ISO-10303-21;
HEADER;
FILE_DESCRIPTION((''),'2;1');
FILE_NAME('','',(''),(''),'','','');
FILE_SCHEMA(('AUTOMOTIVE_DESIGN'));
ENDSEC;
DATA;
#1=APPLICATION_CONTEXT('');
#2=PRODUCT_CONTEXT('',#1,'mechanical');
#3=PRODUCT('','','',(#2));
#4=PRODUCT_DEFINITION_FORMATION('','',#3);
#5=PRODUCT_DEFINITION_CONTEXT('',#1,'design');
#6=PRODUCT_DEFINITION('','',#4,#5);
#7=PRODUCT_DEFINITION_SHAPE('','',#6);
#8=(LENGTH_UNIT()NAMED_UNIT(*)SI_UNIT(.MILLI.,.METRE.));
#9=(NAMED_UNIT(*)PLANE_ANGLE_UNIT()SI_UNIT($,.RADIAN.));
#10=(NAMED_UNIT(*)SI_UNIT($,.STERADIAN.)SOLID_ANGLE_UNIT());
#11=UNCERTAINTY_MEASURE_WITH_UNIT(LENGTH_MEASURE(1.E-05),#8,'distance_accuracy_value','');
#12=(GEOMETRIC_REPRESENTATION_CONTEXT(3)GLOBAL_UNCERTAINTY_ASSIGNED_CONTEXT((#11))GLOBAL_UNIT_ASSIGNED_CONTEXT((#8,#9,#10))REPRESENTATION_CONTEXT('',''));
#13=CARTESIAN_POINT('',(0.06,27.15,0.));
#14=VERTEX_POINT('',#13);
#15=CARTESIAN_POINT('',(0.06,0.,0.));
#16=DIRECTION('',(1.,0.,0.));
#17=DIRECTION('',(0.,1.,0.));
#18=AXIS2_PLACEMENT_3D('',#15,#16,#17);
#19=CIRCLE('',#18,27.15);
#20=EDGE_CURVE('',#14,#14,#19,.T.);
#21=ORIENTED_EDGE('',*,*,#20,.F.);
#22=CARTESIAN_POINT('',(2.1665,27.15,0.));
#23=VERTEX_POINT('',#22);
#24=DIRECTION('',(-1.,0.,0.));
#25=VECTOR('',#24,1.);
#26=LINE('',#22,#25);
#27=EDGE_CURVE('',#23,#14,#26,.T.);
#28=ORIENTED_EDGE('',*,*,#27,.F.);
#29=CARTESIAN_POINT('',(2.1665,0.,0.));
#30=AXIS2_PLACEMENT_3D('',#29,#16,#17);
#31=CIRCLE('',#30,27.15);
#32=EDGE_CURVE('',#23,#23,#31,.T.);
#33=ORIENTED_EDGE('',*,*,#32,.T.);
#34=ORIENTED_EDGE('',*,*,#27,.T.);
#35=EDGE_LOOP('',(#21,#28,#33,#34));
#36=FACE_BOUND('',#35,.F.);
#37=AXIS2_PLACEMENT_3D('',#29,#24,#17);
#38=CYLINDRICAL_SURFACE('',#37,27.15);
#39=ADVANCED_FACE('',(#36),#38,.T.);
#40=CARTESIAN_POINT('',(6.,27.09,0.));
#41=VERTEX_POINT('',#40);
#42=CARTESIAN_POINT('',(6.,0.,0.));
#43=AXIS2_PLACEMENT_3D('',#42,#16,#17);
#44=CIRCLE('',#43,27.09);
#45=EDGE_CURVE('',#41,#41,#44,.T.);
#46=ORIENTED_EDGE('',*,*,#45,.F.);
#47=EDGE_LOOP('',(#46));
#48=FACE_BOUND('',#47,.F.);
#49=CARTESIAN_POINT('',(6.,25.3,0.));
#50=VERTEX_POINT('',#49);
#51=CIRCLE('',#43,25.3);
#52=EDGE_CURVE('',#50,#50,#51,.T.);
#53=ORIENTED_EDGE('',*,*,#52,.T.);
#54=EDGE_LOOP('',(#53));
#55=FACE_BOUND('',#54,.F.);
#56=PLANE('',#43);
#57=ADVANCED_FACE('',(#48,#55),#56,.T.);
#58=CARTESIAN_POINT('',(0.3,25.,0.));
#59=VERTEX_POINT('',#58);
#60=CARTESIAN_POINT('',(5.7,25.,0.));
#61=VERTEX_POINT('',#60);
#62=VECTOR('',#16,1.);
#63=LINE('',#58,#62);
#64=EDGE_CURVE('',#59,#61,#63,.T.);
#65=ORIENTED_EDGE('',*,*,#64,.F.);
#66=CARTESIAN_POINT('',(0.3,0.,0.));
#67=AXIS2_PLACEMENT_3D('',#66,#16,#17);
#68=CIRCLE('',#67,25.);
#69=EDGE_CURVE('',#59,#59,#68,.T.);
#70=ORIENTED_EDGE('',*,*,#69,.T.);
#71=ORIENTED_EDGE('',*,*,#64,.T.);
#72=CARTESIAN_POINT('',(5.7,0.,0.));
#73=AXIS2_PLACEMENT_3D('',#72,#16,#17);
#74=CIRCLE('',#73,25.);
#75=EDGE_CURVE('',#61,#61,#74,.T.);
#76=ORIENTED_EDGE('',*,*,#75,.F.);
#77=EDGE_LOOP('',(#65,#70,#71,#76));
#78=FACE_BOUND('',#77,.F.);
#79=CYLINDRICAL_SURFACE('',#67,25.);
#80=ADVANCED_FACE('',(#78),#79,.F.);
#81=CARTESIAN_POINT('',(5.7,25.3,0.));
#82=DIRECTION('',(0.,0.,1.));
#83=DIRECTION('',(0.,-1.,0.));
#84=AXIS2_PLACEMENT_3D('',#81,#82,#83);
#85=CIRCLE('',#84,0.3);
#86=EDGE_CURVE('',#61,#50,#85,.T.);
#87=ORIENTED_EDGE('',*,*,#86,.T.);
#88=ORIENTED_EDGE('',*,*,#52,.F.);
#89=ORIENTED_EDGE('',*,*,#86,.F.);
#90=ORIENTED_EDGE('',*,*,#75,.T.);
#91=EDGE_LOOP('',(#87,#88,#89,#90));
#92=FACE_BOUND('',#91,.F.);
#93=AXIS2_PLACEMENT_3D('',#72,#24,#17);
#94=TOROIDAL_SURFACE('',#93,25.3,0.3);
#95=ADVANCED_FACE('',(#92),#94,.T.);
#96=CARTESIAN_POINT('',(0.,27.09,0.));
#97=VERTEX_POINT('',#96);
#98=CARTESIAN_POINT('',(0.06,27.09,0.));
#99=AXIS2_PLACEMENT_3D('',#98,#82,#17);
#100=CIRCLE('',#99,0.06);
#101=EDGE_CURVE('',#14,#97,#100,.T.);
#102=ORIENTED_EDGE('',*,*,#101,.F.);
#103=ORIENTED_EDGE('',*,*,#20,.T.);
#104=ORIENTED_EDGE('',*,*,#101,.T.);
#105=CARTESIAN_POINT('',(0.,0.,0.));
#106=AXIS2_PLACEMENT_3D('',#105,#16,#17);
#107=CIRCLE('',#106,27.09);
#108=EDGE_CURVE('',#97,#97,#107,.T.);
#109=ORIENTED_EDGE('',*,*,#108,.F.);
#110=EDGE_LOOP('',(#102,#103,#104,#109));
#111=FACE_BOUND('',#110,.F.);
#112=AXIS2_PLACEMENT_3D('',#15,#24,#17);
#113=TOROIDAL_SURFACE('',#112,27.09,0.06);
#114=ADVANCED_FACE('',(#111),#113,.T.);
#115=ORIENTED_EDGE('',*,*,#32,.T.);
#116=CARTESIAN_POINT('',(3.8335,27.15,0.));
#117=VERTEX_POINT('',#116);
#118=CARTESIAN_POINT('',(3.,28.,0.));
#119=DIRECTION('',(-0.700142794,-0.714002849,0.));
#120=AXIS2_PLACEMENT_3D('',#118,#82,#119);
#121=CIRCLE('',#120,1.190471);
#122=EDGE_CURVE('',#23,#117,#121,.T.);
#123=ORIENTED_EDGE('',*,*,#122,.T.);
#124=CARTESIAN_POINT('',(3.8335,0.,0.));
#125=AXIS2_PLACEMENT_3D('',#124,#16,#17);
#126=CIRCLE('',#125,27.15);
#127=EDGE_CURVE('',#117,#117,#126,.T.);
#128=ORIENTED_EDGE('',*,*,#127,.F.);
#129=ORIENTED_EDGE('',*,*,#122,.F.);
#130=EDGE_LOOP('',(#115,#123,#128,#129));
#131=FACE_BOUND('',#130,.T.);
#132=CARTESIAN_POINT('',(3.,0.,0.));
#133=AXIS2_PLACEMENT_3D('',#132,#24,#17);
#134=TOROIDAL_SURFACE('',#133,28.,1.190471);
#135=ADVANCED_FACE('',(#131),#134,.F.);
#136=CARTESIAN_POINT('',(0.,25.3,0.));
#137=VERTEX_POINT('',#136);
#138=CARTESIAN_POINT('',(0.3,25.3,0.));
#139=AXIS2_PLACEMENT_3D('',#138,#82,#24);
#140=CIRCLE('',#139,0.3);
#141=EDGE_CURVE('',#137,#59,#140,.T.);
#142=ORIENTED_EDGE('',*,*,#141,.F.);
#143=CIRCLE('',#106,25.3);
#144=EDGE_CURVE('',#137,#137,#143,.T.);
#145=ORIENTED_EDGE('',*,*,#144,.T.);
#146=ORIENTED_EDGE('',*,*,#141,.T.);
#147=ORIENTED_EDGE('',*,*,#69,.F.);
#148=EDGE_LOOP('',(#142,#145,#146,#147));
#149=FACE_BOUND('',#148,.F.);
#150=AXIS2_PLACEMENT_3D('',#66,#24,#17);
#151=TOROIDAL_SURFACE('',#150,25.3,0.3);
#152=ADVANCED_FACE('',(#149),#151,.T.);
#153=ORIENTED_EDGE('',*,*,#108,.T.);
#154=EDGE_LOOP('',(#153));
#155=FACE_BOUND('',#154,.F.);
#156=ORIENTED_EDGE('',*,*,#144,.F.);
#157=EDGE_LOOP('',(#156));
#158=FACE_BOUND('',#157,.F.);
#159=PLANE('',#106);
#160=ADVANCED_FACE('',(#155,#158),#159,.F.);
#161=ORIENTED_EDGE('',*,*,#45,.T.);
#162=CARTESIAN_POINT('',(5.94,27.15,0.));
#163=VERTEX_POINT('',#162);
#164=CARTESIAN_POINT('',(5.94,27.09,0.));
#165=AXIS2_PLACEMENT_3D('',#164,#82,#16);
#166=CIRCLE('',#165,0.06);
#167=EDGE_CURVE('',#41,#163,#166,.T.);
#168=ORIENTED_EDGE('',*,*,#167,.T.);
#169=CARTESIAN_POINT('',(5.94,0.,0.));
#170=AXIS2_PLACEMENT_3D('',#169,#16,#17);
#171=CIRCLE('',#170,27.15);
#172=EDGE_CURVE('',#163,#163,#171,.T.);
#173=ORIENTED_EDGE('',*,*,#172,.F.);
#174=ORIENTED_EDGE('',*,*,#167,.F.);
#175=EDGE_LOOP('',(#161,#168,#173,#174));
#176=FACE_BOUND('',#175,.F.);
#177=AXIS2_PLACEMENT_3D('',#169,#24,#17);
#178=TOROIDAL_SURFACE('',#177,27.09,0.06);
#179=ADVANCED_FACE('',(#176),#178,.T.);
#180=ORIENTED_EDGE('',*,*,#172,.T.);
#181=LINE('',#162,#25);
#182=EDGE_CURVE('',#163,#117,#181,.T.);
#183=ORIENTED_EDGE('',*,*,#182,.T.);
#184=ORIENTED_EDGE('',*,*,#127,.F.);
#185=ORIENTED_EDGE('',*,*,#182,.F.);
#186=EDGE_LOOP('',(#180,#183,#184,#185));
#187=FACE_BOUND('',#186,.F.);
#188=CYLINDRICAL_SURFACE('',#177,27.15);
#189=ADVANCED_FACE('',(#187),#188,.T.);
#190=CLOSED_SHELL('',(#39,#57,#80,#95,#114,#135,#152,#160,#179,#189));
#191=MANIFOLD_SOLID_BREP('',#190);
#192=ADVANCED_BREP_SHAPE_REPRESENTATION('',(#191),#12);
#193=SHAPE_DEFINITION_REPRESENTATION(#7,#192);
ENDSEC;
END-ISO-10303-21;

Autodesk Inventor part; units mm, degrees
sketch "Sketch_10" plane through (0, 0, 0) normal (0, 0, 1) x (1, 0, 0)
  line L0 (50, 0) -> (-50, 0)
  line L1 (0, 27.09) -> (0, 25.3)
  arc A0 (0, 25.3) -> (0.3, 25) centre (0.3, 25.3) ccw
  line L2 (0.3, 25) -> (5.7, 25)
  arc A1 (5.7, 25) -> (6, 25.3) centre (5.7, 25.3) ccw
  line L3 (6, 25.3) -> (6, 27.09)
  arc A2 (6, 27.09) -> (5.94, 27.15) centre (5.94, 27.09) ccw
  line L4 (5.94, 27.15) -> (3.8335, 27.15)
  arc A3 (2.1665, 27.15) -> (3.8335, 27.15) centre (3, 28) ccw
  line L5 (2.1665, 27.15) -> (0.06, 27.15)
  arc A4 (0.06, 27.15) -> (0, 27.09) centre (0.06, 27.09) ccw
revolve "Revolution1" add sketch "Sketch_10" angle 360 about axis through (50, 0, 0) along (1, 0, 0)
ref_plane "ir_XY" through (0, 0, 0) normal (0, 0, 1) x (1, 0, 0)
ref_plane "ir_YZ" through (0, 0, 0) normal (1, 0, 0) x (0, 1, 0)
ref_plane "ir_ZX" through (0, 0, 0) normal (0, 1, 0) x (0, 0, 1)
properties part number "SKF_W 61710_ir"
